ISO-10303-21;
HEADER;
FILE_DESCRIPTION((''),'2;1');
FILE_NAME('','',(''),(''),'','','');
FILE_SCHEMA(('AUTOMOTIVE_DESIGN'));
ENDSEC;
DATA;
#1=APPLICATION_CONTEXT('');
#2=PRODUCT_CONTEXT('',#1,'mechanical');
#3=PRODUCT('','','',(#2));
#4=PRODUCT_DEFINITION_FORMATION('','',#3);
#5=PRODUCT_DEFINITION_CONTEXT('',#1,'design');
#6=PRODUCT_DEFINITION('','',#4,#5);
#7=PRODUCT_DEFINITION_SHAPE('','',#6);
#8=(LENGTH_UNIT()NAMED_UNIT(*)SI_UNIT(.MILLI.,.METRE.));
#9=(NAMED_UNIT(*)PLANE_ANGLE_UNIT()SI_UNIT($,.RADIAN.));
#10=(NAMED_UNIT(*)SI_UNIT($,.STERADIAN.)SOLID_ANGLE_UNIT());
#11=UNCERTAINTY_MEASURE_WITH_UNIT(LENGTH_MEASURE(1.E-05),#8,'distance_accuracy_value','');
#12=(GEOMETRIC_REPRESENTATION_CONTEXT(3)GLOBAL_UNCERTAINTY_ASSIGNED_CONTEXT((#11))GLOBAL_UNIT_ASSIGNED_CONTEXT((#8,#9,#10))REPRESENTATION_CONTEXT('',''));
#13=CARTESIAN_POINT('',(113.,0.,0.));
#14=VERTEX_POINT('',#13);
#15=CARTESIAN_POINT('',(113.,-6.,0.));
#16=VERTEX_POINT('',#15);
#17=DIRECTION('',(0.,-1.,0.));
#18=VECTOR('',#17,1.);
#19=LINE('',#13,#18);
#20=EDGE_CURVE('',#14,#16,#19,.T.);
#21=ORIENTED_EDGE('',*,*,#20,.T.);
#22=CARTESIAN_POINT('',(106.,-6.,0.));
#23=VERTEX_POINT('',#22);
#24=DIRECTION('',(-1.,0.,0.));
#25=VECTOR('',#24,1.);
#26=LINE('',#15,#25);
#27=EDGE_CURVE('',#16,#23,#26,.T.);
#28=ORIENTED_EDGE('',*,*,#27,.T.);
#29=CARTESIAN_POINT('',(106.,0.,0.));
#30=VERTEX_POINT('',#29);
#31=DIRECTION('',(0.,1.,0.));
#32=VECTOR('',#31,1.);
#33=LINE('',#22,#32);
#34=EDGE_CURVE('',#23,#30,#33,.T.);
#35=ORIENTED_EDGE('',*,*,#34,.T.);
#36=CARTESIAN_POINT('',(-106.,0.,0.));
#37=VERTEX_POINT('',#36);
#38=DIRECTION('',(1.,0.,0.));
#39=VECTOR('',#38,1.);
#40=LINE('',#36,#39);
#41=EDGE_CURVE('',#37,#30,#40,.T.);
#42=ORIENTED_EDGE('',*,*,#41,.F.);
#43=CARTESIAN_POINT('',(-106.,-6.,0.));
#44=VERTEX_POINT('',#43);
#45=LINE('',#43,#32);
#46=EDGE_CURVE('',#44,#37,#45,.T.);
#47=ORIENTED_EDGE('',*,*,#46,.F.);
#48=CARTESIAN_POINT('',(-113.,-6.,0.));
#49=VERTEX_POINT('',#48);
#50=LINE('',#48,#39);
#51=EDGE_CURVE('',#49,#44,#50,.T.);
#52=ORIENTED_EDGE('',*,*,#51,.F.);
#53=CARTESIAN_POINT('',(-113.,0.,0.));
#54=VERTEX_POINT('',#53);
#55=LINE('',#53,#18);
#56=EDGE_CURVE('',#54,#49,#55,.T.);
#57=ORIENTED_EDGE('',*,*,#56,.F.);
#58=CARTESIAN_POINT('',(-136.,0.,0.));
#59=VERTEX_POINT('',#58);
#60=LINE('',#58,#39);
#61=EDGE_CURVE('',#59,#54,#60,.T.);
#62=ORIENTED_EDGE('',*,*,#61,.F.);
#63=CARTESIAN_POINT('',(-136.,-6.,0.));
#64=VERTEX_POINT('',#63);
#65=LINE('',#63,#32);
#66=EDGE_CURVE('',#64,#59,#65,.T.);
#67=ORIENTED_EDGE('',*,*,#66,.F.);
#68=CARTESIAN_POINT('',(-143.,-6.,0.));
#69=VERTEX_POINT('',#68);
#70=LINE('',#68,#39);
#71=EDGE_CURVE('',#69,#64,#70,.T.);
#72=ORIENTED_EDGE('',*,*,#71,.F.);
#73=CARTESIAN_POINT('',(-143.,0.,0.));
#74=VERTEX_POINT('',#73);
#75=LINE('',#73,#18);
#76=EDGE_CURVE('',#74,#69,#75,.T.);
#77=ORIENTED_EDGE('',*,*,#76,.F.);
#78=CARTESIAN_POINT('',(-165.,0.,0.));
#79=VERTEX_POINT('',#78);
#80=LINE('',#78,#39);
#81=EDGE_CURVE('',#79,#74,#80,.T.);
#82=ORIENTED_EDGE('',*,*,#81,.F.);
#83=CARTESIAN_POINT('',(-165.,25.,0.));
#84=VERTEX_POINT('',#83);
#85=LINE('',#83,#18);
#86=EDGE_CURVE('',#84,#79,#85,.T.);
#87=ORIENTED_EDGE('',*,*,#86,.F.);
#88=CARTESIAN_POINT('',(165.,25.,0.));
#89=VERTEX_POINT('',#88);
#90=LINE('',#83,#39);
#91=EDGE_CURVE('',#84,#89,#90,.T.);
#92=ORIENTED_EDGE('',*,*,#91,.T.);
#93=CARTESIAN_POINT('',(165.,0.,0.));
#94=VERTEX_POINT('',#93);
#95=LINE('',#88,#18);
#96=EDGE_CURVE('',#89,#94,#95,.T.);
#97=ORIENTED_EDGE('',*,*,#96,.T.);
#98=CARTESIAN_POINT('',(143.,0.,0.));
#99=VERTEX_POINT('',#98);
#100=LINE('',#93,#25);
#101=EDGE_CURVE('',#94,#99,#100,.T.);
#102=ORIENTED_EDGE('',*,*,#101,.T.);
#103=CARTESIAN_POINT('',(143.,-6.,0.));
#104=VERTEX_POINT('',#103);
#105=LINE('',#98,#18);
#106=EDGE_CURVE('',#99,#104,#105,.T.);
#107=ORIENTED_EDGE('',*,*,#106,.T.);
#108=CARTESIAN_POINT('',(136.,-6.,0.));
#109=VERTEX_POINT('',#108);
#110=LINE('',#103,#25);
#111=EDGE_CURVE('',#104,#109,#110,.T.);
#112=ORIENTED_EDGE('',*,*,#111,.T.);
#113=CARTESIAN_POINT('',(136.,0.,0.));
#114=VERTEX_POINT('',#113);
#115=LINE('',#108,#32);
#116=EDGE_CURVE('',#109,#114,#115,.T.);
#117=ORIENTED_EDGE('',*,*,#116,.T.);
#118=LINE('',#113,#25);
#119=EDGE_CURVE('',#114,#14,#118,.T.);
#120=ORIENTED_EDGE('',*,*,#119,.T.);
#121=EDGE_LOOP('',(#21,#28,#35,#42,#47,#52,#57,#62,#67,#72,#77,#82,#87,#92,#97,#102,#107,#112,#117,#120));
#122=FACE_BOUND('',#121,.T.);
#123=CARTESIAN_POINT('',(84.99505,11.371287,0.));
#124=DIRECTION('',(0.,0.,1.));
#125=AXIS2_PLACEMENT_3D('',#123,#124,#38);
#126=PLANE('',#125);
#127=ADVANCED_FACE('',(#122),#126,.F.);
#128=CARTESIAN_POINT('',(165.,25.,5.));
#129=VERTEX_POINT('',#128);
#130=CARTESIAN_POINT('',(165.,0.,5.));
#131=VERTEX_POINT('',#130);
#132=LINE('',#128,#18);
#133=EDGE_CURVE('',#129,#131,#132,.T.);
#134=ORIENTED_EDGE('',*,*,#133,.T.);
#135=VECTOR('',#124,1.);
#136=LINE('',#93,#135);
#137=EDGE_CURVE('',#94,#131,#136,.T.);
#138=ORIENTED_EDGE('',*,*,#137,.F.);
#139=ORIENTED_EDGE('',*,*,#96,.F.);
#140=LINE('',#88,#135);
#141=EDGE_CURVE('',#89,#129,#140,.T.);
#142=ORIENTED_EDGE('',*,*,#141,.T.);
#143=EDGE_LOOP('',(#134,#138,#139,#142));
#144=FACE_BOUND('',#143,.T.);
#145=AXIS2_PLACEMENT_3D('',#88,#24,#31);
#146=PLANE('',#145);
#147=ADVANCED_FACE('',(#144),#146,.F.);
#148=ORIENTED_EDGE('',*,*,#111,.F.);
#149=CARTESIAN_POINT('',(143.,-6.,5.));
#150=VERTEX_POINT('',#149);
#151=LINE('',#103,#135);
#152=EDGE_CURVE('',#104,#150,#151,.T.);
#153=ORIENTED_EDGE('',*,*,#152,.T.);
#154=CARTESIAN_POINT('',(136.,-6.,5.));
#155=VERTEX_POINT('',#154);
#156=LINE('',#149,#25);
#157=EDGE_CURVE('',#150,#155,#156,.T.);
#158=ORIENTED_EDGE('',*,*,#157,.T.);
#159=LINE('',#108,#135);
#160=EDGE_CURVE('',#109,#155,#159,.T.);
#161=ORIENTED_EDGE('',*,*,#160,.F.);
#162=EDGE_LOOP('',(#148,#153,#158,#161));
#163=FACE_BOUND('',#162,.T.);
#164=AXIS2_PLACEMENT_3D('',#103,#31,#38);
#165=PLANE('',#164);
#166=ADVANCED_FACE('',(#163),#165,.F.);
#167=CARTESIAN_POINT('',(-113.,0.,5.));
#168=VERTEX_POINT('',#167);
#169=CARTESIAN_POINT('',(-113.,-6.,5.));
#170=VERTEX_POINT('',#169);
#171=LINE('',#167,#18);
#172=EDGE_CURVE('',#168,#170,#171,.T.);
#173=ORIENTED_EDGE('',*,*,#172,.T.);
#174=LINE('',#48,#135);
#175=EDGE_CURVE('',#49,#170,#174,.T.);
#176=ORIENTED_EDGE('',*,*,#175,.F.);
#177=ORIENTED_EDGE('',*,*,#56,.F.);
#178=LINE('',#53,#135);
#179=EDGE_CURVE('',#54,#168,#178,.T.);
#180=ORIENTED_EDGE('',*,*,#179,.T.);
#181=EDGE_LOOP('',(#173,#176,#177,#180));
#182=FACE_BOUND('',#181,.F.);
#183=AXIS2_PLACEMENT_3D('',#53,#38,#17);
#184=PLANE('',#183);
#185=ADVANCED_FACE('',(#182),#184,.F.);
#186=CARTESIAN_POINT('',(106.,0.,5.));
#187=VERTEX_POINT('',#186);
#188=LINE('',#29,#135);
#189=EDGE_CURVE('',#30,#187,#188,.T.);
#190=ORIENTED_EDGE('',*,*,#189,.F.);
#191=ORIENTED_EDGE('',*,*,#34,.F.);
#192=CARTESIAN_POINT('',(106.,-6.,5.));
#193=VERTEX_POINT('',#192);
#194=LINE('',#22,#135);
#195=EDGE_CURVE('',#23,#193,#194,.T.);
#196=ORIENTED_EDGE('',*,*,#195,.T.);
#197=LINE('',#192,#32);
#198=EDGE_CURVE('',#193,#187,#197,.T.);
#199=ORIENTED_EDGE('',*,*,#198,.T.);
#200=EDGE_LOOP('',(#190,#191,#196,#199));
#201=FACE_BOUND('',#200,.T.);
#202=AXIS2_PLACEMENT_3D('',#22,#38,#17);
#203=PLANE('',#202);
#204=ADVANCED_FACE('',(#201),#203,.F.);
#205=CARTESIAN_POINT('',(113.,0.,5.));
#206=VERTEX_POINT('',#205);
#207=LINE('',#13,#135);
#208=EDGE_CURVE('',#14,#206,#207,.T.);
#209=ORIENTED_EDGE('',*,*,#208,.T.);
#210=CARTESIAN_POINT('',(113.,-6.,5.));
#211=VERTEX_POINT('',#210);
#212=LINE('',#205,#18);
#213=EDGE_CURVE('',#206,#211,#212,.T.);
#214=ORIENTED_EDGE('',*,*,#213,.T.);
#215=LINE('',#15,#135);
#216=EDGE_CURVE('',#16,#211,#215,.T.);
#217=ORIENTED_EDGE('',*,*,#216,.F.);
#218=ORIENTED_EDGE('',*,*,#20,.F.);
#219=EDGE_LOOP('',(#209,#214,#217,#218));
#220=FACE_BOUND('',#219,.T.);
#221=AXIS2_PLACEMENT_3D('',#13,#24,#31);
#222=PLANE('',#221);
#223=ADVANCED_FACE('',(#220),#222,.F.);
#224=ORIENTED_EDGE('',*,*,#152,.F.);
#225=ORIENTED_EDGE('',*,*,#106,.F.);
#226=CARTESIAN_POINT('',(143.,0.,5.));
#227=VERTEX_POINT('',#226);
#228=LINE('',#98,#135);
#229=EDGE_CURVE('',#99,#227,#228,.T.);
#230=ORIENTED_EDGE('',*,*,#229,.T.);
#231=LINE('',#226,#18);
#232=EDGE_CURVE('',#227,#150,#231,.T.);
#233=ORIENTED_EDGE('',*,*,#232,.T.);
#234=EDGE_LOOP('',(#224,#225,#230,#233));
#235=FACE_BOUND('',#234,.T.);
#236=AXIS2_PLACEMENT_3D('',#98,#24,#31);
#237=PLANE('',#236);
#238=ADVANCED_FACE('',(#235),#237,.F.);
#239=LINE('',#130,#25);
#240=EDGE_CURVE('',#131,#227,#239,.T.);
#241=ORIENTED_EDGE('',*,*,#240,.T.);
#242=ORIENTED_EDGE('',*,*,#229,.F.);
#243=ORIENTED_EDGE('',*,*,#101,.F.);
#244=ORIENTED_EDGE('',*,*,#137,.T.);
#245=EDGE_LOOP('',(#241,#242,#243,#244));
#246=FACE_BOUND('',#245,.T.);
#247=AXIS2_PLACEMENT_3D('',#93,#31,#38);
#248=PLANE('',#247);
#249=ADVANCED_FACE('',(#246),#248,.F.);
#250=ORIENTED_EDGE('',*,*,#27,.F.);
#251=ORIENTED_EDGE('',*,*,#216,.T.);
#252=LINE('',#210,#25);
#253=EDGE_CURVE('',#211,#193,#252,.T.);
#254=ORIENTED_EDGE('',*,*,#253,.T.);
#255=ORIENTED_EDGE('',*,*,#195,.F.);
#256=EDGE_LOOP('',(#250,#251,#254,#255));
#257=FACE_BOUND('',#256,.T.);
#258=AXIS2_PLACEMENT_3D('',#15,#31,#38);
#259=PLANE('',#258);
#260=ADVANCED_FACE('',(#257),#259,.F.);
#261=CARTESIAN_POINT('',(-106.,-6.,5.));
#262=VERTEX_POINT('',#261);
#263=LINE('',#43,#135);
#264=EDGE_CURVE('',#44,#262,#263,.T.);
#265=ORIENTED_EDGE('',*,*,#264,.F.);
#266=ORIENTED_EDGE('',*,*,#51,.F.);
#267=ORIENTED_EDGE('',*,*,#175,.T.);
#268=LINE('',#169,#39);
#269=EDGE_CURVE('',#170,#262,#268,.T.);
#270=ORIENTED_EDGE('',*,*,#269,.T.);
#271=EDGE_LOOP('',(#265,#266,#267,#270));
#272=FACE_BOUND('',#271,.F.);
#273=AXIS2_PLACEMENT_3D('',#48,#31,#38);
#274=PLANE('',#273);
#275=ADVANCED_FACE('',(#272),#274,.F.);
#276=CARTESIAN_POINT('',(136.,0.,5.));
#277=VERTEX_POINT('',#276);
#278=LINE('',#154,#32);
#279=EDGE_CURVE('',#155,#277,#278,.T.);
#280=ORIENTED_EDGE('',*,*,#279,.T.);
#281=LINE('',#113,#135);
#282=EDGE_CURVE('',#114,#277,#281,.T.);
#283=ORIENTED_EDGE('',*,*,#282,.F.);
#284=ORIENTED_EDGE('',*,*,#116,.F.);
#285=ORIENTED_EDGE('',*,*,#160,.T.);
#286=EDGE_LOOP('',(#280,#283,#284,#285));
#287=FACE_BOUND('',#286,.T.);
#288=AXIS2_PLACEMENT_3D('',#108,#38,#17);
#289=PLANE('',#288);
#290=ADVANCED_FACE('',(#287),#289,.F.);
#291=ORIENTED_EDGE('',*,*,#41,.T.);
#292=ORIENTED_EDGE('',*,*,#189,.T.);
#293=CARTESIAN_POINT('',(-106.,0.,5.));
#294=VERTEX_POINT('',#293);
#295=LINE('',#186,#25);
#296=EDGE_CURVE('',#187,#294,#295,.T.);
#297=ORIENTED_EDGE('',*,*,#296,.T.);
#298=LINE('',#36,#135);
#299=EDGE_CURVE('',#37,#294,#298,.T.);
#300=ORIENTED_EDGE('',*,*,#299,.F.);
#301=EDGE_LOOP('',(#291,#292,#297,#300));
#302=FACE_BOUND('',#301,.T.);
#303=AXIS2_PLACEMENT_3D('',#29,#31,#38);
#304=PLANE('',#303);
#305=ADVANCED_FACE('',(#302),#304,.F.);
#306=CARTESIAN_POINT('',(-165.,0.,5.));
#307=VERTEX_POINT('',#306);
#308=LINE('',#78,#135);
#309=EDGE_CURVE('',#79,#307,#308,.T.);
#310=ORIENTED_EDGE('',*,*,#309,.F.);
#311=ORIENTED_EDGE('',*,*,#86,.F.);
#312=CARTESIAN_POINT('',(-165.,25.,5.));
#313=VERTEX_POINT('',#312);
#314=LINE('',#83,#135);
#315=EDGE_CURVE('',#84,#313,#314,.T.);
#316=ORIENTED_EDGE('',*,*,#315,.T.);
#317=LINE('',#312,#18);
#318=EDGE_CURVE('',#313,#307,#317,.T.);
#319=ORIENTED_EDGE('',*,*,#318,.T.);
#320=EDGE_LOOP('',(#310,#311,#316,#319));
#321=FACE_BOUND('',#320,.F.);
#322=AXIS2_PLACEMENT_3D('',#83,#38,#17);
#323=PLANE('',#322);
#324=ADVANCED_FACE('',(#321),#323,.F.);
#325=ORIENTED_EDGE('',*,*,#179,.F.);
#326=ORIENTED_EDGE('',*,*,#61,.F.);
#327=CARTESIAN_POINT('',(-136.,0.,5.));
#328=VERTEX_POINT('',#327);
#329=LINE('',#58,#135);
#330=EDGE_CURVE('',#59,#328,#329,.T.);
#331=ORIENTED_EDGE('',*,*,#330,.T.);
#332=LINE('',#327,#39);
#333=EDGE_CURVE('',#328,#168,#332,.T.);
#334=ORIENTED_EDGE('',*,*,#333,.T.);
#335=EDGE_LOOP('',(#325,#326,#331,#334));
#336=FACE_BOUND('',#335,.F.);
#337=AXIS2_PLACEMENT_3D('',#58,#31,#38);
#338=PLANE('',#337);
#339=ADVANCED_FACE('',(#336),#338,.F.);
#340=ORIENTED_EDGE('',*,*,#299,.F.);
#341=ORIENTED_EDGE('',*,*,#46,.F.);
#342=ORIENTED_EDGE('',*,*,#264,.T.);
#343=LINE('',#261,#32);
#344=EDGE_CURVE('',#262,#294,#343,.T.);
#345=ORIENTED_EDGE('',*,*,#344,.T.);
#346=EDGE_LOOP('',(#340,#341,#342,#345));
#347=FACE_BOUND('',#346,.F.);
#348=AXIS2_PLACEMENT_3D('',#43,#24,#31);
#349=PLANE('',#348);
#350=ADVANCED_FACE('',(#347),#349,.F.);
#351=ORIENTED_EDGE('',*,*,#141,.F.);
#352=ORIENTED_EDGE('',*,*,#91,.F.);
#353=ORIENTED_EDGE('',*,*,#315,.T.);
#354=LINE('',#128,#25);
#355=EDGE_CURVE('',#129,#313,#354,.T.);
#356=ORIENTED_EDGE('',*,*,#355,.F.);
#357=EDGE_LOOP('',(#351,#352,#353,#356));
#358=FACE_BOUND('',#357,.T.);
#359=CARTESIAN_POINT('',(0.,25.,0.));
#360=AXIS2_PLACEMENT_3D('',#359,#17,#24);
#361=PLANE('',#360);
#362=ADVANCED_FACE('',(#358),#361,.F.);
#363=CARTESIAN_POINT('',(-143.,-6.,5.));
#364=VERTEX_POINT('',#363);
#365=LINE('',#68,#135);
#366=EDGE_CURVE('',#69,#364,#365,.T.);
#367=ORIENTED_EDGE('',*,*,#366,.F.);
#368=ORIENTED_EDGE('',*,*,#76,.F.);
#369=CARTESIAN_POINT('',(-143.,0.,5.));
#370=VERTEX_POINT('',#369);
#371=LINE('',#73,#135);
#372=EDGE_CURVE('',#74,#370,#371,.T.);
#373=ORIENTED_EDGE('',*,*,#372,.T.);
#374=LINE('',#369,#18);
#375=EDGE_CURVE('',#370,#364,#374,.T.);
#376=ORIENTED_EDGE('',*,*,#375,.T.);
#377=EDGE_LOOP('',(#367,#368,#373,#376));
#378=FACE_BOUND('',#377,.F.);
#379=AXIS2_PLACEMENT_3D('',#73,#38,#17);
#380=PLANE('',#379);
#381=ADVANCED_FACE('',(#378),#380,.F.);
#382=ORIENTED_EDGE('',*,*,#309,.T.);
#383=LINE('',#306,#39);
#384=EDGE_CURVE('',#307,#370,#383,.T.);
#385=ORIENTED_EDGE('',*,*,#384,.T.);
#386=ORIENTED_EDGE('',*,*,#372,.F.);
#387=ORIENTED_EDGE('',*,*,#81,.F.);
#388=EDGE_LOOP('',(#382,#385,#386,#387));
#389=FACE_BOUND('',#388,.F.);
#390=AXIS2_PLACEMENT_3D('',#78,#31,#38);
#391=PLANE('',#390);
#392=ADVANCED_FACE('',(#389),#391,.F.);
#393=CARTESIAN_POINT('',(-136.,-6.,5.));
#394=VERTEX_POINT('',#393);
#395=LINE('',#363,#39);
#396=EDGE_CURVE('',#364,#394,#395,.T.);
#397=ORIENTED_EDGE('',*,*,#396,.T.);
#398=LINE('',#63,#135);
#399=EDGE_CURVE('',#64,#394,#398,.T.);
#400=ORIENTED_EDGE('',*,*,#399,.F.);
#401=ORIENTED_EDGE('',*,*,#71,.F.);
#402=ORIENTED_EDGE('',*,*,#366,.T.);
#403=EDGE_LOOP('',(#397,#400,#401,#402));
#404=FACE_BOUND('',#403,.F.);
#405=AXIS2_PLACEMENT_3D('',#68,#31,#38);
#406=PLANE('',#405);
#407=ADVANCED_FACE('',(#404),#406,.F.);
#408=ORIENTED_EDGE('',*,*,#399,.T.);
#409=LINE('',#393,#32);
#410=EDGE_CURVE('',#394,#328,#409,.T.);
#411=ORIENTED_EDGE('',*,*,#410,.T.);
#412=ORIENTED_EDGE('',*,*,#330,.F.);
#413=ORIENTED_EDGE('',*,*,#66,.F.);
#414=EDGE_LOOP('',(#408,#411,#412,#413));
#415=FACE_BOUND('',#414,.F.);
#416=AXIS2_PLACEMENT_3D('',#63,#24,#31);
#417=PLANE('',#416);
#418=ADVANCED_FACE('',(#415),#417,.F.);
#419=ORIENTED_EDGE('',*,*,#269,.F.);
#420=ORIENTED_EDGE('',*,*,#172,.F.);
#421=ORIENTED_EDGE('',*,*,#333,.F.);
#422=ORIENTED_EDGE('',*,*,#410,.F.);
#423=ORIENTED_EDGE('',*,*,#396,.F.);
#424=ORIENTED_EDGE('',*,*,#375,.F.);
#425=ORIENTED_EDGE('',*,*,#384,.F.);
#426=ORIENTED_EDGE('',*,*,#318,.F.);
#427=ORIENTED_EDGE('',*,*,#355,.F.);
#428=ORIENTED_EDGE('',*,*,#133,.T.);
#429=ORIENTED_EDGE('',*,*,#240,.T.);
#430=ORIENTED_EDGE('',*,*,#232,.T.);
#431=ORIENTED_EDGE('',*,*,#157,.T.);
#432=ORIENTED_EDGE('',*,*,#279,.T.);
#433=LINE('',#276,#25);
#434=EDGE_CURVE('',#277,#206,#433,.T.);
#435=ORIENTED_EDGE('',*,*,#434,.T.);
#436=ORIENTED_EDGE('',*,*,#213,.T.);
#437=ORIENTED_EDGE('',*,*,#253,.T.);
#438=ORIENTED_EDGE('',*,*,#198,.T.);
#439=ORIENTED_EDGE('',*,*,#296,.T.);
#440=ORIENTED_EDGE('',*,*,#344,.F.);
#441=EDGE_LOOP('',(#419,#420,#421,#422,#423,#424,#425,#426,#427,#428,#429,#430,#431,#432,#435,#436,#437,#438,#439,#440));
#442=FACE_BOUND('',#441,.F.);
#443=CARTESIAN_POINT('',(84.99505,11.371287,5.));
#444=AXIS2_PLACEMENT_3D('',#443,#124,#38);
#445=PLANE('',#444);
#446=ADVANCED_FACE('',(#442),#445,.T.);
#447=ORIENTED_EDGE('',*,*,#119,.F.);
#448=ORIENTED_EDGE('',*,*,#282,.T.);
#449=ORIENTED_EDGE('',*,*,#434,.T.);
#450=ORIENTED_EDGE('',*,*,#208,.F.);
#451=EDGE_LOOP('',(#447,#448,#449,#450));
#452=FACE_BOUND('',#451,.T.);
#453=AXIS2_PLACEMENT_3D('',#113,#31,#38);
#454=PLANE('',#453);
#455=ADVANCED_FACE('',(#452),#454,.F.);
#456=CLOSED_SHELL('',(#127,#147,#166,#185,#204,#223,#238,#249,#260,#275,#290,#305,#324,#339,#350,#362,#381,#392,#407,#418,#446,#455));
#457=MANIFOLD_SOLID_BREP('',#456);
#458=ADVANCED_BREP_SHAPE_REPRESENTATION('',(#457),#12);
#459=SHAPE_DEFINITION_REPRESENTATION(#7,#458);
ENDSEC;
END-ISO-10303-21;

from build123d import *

# Parameters (mm, degrees)
F1_DEPTH = 5


with BuildPart() as f1:
    # F0 (on Top) → F1 (new body)
    with BuildSketch(Plane.XY):
        Polygon((-106, 0), (0, 0), (0, 25), (-165, 25), (-165, 0), (-143, 0), (-143, -6), (-136, -6), (-136, 0), (-113, 0), (-113, -6), (-106, -6), align=None)
    extrude(amount=F1_DEPTH)

    # F2: F1 across face


with BuildPart() as f1_1:
    add(f1.part)
    add(f1.part.mirror(Plane(origin=(0, 12.5, 2.5), x_dir=(0, 1, 0), z_dir=(1, 0, 0))))


solid = f1_1.part
